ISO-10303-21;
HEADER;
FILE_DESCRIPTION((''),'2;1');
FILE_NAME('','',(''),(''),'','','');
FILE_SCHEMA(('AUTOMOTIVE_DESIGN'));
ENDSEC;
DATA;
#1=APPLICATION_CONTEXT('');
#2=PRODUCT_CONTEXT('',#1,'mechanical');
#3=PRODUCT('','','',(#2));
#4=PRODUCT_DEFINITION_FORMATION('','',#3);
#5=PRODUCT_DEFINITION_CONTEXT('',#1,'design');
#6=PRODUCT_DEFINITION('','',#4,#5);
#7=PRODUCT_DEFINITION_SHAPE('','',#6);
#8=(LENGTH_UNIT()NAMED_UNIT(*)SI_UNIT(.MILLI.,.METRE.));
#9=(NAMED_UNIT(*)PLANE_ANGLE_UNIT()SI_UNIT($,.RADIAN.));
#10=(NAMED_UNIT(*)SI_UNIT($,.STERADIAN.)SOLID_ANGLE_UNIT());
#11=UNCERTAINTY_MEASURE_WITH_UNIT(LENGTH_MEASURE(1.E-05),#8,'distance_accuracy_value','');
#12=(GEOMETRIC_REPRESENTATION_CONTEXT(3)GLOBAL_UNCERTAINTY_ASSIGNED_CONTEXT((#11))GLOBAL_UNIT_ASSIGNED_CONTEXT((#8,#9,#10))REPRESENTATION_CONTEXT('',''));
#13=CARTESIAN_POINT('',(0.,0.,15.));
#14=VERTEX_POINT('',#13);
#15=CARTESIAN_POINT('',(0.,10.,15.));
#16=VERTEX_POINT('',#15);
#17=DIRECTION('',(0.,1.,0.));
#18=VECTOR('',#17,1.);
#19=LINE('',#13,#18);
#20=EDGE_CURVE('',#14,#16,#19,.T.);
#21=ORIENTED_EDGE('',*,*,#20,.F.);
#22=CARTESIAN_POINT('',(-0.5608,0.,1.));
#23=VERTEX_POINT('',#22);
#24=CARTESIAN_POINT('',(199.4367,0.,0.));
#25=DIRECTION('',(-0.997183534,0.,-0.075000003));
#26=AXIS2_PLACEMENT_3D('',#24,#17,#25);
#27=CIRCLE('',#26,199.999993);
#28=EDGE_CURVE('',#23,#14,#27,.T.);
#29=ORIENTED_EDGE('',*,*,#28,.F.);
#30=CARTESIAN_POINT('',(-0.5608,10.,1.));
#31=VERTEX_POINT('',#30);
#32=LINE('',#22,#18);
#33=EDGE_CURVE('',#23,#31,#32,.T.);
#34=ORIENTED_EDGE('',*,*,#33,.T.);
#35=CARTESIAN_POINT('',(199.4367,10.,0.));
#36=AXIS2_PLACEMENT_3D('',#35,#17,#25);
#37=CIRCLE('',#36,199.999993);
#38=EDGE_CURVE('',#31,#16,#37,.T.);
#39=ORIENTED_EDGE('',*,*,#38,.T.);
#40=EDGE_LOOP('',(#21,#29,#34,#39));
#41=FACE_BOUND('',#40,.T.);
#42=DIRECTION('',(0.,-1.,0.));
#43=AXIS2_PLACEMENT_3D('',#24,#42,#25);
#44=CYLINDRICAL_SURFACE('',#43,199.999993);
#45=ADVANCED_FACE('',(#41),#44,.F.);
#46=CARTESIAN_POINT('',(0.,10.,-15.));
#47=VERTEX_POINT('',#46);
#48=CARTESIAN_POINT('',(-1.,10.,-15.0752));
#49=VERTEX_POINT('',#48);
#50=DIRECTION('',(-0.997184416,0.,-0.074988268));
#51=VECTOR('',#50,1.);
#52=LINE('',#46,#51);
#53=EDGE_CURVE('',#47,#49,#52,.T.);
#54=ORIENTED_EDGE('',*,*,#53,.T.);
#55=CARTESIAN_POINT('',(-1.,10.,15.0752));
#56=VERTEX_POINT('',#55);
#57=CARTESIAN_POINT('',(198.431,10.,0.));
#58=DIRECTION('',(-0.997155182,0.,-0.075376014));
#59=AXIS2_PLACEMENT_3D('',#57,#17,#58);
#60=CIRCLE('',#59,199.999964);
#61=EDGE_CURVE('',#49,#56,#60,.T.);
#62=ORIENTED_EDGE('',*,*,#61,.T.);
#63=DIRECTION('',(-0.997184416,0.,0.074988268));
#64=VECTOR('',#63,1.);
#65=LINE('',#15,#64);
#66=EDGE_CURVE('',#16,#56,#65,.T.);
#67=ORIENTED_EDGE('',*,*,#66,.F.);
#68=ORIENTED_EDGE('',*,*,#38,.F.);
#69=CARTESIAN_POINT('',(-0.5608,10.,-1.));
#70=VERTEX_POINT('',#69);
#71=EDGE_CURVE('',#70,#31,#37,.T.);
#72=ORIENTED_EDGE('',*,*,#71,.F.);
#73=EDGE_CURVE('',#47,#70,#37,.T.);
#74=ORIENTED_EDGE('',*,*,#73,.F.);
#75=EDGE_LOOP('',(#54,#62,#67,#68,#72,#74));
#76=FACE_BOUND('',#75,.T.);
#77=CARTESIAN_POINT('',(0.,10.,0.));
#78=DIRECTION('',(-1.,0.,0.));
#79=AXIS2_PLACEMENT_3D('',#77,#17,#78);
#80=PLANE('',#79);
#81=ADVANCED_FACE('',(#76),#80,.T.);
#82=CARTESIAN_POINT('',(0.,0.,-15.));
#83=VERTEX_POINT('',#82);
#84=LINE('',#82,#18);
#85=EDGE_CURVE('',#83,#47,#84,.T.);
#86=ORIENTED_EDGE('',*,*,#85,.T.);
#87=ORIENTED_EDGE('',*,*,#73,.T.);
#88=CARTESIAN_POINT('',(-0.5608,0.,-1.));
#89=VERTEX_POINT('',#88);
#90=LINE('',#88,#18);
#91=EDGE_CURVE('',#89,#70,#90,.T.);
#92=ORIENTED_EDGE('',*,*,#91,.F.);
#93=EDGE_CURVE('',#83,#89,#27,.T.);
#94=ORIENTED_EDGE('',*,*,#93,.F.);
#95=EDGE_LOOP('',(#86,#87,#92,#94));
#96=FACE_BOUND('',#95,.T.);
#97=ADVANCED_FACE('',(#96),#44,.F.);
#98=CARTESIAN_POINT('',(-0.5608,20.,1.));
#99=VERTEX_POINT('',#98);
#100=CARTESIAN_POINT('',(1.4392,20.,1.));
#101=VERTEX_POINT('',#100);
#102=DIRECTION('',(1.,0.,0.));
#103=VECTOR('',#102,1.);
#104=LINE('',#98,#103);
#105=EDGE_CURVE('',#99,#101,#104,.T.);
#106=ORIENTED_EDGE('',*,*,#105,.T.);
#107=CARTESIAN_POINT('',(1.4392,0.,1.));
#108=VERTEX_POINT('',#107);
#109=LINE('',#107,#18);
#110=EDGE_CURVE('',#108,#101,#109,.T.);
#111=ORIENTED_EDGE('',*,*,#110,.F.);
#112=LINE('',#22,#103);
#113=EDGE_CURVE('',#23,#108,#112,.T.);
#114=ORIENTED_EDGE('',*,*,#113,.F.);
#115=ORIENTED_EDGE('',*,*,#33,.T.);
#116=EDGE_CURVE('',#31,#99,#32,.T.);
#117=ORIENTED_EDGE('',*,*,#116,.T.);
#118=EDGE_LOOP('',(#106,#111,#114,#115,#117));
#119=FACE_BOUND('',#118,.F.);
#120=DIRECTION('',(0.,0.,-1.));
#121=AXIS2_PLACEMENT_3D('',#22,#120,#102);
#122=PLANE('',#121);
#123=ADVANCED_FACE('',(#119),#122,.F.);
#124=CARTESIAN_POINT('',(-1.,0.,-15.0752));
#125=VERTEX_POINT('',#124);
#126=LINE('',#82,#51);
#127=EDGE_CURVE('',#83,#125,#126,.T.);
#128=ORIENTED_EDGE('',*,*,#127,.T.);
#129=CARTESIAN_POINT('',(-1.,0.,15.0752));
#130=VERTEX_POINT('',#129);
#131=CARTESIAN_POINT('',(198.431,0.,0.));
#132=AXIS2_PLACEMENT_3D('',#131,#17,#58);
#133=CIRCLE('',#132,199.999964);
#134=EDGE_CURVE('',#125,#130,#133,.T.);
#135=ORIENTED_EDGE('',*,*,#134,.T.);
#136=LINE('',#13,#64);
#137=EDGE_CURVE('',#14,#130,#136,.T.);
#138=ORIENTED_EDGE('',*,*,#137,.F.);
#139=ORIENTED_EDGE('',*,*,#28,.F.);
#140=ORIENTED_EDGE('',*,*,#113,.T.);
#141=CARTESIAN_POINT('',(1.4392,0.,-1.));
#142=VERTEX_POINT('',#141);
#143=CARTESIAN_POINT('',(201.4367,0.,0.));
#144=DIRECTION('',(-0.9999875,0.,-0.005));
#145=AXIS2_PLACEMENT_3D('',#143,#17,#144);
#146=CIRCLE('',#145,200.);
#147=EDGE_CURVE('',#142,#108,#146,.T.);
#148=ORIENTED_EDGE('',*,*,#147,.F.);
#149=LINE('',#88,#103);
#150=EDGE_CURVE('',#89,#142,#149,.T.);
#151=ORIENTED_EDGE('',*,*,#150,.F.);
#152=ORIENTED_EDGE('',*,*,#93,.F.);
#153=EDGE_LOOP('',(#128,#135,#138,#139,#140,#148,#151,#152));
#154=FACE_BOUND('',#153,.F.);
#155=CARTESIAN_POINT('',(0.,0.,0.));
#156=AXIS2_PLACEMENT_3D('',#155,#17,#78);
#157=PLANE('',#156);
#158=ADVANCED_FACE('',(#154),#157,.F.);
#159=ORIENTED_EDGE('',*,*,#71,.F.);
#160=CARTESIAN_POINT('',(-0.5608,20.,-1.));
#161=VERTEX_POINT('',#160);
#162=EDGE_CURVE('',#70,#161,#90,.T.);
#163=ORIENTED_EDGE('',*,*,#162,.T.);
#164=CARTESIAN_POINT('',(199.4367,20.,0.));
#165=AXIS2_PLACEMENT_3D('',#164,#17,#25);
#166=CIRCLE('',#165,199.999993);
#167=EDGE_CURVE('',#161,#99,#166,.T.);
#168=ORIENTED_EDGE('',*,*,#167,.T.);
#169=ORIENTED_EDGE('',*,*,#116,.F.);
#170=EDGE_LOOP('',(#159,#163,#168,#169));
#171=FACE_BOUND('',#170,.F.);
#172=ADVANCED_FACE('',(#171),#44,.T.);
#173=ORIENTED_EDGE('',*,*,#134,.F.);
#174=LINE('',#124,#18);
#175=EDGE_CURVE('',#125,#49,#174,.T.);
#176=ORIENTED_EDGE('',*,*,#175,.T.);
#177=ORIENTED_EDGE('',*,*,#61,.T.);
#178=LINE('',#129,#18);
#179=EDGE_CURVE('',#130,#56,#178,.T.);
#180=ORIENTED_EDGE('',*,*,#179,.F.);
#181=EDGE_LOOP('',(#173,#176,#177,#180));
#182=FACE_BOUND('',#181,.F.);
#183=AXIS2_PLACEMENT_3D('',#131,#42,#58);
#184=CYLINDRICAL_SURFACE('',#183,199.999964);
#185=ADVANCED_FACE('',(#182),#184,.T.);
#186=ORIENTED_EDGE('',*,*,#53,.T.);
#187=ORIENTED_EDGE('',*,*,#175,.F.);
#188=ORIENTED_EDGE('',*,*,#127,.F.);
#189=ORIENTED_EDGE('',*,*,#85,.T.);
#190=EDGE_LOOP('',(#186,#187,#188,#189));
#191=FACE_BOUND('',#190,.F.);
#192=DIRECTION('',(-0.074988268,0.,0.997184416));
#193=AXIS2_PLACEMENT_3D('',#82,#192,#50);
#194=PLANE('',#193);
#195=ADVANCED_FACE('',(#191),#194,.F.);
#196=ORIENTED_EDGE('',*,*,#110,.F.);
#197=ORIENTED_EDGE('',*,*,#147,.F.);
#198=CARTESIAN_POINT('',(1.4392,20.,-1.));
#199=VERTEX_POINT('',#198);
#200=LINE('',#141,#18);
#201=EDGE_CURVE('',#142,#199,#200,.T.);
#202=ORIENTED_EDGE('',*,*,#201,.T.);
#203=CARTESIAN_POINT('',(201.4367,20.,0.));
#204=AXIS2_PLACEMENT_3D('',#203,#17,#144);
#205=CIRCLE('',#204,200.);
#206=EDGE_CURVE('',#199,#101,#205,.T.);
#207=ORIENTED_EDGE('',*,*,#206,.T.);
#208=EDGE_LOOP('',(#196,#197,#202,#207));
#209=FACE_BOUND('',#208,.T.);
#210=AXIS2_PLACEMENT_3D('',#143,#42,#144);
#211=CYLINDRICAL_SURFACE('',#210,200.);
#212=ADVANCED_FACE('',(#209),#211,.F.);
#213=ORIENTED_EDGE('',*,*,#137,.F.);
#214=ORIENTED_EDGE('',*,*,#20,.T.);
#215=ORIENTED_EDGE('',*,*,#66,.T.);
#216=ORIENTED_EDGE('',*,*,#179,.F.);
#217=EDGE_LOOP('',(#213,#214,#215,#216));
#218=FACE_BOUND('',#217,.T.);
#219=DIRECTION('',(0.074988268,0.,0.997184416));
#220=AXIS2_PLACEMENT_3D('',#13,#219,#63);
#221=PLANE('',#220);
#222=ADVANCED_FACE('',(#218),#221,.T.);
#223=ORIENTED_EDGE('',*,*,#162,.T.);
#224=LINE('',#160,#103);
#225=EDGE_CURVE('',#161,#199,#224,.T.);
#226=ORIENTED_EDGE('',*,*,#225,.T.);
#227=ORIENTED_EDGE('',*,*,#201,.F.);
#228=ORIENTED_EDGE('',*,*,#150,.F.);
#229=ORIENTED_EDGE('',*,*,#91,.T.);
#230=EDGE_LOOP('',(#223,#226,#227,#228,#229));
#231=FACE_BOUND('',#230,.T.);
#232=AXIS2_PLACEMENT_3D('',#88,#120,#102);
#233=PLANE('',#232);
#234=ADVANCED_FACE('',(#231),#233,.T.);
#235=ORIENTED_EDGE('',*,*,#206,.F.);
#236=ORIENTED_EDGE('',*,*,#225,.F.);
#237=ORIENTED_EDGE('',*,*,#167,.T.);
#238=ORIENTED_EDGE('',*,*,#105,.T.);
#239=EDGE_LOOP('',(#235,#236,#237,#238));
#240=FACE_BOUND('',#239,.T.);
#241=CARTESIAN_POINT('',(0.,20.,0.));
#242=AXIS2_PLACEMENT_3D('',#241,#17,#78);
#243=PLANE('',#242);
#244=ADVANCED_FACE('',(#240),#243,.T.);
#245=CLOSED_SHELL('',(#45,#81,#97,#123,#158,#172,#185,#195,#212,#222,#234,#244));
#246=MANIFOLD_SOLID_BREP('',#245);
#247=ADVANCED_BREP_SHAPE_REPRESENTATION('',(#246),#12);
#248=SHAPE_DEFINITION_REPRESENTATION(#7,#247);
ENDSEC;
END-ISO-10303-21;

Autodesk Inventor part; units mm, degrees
ref_plane "YZ Plane" through (0, 0, 0) normal (1, 0, 0) x (0, 1, 0)
ref_plane "XZ Plane" through (0, 0, 0) normal (0, 1, 0) x (-1, 0, 0)
ref_plane "XY Plane" through (0, 0, 0) normal (0, 0, 1) x (1, 0, 0)
sketch "Sketch1" plane through (0, 0, 0) normal (0, 1, 0) x (-1, 0, 0)
  arc A0 (0, -15) -> (0, 15) centre (-199.4367, 0) ccw
  line L0 (0, -15) -> (1, -15.0752)
  line L1 (0, 15) -> (1, 15.0752)
  arc A1 (1, -15.0752) -> (1, 15.0752) centre (-198.431, 0) ccw
  line L2 (0.5608, -1) -> (-1.4392, -1)
  line L3 (0.5608, 1) -> (-1.4392, 1)
  arc A2 (-1.4392, -1) -> (-1.4392, 1) centre (-201.4367, 0) ccw
  point P0 (0, 0)
  point P1 (0.5633, 0)
  dimension "d0" = 200
  dimension "d1" = 30
  dimension "d2" = 1
  dimension "d3" = 1
  dimension "d4" = 200
  dimension "d5" = 1
  dimension "d6" = 1
  dimension "d7" = 200
  dimension "d12" = 2
extrude "Extrusion1" add sketch "Sketch1" along normal blind 20 contours L2 A2 L3 A0
extrude "Extrusion2" add sketch "Sketch1" along normal blind 10 contours A0 L1 A1 L0
ref_plane "Work Plane1" through (-0.5608, 20, 0) normal (0, 0, 1) x (1, 0, 0)
properties part number "silothingp1"
